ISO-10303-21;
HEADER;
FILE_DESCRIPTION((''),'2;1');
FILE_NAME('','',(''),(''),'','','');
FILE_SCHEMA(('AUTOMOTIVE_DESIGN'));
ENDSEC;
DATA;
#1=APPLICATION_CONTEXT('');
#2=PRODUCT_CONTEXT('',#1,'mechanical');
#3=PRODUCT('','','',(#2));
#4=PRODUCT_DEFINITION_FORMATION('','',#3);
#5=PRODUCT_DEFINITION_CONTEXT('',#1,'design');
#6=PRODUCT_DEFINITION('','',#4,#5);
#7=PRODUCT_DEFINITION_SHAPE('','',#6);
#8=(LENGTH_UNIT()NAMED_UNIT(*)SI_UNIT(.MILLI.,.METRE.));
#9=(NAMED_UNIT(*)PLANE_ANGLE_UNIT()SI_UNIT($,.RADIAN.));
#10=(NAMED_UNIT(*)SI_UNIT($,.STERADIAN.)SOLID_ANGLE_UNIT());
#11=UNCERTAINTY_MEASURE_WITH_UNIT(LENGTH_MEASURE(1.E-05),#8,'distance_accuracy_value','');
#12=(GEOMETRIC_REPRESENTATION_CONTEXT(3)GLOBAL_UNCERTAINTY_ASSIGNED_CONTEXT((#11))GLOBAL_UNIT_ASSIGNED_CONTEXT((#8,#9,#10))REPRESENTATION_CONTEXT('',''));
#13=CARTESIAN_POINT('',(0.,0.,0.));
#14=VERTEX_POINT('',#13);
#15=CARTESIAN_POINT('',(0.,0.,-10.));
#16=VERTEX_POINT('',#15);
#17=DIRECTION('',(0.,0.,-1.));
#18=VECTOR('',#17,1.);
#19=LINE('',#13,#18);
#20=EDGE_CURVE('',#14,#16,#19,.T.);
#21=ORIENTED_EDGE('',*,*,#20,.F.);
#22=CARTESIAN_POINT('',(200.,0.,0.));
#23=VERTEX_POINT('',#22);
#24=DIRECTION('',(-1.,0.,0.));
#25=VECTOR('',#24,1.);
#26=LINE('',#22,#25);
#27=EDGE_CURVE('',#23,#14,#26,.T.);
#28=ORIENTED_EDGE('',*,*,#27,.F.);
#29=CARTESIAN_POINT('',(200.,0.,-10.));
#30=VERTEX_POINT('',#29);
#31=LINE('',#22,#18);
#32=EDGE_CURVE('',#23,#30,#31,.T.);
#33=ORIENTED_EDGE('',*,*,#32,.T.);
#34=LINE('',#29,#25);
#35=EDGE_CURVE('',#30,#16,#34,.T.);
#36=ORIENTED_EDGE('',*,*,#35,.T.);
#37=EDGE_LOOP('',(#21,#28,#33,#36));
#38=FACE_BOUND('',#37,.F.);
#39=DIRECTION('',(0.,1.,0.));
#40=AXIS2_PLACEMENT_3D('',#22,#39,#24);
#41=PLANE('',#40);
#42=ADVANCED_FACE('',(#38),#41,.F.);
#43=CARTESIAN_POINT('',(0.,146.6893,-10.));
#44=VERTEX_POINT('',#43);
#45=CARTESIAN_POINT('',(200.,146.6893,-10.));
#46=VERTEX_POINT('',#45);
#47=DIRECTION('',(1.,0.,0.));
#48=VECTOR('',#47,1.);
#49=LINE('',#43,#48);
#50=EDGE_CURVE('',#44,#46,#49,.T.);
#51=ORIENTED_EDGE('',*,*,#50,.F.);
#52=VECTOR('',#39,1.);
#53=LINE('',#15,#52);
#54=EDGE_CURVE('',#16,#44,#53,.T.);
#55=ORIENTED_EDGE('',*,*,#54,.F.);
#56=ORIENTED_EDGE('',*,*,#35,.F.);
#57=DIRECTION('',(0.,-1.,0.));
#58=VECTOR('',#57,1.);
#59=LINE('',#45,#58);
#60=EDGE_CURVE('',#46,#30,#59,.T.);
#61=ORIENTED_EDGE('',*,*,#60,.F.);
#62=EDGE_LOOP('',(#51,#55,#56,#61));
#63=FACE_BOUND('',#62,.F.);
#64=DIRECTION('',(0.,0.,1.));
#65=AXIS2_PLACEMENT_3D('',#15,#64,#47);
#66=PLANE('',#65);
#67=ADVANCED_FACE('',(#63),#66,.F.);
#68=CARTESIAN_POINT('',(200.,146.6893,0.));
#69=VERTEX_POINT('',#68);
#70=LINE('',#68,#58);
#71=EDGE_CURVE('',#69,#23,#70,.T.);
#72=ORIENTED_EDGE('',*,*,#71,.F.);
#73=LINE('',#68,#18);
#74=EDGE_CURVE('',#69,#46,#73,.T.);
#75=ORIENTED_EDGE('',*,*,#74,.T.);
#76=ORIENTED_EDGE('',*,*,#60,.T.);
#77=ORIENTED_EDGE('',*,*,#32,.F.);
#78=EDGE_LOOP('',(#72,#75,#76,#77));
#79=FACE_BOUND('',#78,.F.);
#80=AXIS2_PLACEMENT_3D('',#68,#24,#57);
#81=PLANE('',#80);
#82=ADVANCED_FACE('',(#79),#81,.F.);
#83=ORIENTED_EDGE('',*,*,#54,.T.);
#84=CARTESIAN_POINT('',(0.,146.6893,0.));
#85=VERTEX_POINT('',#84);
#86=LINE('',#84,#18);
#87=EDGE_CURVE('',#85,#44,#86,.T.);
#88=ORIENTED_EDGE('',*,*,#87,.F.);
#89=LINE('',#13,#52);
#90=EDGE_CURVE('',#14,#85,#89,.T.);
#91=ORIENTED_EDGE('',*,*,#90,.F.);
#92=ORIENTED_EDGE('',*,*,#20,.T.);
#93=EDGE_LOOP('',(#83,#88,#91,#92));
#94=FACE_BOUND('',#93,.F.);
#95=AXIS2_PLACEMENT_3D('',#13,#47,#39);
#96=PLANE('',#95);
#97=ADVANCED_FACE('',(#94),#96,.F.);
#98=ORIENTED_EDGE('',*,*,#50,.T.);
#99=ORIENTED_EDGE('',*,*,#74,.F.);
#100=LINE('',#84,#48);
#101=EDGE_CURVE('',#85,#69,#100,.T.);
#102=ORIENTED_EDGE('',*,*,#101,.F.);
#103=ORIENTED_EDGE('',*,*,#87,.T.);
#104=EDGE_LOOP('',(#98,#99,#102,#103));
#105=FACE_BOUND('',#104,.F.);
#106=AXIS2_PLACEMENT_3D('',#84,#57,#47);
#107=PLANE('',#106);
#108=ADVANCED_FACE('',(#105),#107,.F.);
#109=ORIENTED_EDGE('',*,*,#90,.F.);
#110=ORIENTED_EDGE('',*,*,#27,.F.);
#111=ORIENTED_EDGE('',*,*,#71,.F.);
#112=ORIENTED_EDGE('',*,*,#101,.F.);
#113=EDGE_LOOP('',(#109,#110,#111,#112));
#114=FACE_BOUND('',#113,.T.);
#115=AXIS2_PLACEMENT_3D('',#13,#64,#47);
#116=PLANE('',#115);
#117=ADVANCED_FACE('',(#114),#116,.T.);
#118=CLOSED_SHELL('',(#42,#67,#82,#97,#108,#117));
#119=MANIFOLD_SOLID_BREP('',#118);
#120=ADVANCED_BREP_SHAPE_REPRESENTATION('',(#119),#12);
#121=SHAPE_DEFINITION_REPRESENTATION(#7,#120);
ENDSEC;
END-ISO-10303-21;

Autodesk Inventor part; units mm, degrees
ref_plane "YZ Plane" through (0, 0, 0) normal (1, 0, 0) x (0, 1, 0)
ref_plane "XZ Plane" through (0, 0, 0) normal (0, 1, 0) x (-1, 0, 0)
ref_plane "XY Plane" through (0, 0, 0) normal (0, 0, 1) x (1, 0, 0)
sketch "Эскиз1" plane through (0, 0, 0) normal (0, 0, 1) x (1, 0, 0)
  line L0 (0, 146.6893) -> (200, 146.6893)
  line L1 (200, 146.6893) -> (200, 0)
  line L2 (200, 0) -> (0, 0)
  line L3 (0, 0) -> (0, 146.6893)
  dimension "d1" = 200
extrude "Выдавливание1" add sketch "Эскиз1" against normal blind 10
decal "Декаль1"
properties part number "memo"
